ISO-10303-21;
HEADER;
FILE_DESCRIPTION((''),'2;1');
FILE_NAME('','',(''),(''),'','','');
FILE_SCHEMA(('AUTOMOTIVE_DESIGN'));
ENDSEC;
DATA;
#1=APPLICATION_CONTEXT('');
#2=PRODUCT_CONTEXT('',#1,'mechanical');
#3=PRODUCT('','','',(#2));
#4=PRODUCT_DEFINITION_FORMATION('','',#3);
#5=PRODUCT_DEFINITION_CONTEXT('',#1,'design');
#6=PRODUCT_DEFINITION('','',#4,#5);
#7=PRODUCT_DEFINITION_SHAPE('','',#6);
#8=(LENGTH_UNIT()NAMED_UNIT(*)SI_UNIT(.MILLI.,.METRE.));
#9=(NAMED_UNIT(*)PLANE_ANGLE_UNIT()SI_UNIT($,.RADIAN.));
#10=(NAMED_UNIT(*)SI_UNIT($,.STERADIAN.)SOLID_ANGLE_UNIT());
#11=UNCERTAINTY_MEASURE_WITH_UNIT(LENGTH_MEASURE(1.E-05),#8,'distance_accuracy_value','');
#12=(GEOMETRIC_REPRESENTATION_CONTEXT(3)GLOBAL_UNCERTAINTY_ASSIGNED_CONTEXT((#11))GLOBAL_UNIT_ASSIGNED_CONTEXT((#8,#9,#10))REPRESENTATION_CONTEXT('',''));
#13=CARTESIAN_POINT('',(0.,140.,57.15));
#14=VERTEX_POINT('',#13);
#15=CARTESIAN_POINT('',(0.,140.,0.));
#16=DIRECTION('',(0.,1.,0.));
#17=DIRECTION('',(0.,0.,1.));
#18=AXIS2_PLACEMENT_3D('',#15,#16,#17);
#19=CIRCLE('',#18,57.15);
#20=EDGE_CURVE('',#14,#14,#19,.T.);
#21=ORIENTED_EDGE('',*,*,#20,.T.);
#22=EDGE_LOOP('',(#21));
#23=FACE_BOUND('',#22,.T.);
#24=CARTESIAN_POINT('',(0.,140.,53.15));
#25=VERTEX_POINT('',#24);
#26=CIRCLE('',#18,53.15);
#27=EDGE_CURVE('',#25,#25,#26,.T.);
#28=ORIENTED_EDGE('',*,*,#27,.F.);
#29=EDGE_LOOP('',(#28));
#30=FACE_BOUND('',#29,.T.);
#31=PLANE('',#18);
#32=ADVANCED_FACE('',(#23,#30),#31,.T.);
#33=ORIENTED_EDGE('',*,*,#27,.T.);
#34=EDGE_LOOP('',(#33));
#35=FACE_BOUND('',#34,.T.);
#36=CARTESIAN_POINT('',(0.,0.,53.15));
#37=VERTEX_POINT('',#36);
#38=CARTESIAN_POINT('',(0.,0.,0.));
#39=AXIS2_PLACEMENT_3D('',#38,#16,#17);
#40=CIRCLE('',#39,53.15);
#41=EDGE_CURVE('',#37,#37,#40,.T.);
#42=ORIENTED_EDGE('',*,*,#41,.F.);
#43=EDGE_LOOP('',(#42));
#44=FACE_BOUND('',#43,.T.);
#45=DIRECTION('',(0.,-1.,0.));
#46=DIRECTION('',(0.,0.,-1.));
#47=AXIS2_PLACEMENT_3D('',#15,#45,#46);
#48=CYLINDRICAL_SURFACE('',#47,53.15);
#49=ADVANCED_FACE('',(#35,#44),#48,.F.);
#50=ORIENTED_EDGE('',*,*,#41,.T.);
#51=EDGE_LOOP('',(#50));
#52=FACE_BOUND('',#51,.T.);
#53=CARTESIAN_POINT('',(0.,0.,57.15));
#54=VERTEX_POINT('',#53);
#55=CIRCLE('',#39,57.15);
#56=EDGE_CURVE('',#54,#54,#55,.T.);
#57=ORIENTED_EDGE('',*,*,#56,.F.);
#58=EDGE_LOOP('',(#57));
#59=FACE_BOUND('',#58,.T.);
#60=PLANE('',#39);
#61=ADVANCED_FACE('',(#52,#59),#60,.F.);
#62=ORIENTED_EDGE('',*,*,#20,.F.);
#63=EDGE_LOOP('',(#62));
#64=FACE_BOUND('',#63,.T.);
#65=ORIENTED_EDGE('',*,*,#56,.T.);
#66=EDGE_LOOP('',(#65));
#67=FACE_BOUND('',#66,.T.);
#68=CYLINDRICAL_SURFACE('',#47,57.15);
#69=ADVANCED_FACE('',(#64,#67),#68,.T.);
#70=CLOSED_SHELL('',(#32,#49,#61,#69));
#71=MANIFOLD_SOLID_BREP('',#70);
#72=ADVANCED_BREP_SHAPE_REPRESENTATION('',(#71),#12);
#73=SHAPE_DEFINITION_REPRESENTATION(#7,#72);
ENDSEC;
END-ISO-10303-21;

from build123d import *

# Parameters (mm, degrees)
ESBO_O1_R                = 57.15
ESBO_O1_R_2              = 53.15
RESSALTO_EXTRUS_O1_DEPTH = 140


with BuildPart() as part:
    # Esboço1 → Ressalto-extrusão1 (new body)
    with BuildSketch(Plane(origin=(0, 0, 0), x_dir=(1, 0, 0), z_dir=(0, 1, 0))):
        Circle(ESBO_O1_R)
        Circle(ESBO_O1_R_2, mode=Mode.SUBTRACT)
    extrude(amount=RESSALTO_EXTRUS_O1_DEPTH)


solid = part.part
